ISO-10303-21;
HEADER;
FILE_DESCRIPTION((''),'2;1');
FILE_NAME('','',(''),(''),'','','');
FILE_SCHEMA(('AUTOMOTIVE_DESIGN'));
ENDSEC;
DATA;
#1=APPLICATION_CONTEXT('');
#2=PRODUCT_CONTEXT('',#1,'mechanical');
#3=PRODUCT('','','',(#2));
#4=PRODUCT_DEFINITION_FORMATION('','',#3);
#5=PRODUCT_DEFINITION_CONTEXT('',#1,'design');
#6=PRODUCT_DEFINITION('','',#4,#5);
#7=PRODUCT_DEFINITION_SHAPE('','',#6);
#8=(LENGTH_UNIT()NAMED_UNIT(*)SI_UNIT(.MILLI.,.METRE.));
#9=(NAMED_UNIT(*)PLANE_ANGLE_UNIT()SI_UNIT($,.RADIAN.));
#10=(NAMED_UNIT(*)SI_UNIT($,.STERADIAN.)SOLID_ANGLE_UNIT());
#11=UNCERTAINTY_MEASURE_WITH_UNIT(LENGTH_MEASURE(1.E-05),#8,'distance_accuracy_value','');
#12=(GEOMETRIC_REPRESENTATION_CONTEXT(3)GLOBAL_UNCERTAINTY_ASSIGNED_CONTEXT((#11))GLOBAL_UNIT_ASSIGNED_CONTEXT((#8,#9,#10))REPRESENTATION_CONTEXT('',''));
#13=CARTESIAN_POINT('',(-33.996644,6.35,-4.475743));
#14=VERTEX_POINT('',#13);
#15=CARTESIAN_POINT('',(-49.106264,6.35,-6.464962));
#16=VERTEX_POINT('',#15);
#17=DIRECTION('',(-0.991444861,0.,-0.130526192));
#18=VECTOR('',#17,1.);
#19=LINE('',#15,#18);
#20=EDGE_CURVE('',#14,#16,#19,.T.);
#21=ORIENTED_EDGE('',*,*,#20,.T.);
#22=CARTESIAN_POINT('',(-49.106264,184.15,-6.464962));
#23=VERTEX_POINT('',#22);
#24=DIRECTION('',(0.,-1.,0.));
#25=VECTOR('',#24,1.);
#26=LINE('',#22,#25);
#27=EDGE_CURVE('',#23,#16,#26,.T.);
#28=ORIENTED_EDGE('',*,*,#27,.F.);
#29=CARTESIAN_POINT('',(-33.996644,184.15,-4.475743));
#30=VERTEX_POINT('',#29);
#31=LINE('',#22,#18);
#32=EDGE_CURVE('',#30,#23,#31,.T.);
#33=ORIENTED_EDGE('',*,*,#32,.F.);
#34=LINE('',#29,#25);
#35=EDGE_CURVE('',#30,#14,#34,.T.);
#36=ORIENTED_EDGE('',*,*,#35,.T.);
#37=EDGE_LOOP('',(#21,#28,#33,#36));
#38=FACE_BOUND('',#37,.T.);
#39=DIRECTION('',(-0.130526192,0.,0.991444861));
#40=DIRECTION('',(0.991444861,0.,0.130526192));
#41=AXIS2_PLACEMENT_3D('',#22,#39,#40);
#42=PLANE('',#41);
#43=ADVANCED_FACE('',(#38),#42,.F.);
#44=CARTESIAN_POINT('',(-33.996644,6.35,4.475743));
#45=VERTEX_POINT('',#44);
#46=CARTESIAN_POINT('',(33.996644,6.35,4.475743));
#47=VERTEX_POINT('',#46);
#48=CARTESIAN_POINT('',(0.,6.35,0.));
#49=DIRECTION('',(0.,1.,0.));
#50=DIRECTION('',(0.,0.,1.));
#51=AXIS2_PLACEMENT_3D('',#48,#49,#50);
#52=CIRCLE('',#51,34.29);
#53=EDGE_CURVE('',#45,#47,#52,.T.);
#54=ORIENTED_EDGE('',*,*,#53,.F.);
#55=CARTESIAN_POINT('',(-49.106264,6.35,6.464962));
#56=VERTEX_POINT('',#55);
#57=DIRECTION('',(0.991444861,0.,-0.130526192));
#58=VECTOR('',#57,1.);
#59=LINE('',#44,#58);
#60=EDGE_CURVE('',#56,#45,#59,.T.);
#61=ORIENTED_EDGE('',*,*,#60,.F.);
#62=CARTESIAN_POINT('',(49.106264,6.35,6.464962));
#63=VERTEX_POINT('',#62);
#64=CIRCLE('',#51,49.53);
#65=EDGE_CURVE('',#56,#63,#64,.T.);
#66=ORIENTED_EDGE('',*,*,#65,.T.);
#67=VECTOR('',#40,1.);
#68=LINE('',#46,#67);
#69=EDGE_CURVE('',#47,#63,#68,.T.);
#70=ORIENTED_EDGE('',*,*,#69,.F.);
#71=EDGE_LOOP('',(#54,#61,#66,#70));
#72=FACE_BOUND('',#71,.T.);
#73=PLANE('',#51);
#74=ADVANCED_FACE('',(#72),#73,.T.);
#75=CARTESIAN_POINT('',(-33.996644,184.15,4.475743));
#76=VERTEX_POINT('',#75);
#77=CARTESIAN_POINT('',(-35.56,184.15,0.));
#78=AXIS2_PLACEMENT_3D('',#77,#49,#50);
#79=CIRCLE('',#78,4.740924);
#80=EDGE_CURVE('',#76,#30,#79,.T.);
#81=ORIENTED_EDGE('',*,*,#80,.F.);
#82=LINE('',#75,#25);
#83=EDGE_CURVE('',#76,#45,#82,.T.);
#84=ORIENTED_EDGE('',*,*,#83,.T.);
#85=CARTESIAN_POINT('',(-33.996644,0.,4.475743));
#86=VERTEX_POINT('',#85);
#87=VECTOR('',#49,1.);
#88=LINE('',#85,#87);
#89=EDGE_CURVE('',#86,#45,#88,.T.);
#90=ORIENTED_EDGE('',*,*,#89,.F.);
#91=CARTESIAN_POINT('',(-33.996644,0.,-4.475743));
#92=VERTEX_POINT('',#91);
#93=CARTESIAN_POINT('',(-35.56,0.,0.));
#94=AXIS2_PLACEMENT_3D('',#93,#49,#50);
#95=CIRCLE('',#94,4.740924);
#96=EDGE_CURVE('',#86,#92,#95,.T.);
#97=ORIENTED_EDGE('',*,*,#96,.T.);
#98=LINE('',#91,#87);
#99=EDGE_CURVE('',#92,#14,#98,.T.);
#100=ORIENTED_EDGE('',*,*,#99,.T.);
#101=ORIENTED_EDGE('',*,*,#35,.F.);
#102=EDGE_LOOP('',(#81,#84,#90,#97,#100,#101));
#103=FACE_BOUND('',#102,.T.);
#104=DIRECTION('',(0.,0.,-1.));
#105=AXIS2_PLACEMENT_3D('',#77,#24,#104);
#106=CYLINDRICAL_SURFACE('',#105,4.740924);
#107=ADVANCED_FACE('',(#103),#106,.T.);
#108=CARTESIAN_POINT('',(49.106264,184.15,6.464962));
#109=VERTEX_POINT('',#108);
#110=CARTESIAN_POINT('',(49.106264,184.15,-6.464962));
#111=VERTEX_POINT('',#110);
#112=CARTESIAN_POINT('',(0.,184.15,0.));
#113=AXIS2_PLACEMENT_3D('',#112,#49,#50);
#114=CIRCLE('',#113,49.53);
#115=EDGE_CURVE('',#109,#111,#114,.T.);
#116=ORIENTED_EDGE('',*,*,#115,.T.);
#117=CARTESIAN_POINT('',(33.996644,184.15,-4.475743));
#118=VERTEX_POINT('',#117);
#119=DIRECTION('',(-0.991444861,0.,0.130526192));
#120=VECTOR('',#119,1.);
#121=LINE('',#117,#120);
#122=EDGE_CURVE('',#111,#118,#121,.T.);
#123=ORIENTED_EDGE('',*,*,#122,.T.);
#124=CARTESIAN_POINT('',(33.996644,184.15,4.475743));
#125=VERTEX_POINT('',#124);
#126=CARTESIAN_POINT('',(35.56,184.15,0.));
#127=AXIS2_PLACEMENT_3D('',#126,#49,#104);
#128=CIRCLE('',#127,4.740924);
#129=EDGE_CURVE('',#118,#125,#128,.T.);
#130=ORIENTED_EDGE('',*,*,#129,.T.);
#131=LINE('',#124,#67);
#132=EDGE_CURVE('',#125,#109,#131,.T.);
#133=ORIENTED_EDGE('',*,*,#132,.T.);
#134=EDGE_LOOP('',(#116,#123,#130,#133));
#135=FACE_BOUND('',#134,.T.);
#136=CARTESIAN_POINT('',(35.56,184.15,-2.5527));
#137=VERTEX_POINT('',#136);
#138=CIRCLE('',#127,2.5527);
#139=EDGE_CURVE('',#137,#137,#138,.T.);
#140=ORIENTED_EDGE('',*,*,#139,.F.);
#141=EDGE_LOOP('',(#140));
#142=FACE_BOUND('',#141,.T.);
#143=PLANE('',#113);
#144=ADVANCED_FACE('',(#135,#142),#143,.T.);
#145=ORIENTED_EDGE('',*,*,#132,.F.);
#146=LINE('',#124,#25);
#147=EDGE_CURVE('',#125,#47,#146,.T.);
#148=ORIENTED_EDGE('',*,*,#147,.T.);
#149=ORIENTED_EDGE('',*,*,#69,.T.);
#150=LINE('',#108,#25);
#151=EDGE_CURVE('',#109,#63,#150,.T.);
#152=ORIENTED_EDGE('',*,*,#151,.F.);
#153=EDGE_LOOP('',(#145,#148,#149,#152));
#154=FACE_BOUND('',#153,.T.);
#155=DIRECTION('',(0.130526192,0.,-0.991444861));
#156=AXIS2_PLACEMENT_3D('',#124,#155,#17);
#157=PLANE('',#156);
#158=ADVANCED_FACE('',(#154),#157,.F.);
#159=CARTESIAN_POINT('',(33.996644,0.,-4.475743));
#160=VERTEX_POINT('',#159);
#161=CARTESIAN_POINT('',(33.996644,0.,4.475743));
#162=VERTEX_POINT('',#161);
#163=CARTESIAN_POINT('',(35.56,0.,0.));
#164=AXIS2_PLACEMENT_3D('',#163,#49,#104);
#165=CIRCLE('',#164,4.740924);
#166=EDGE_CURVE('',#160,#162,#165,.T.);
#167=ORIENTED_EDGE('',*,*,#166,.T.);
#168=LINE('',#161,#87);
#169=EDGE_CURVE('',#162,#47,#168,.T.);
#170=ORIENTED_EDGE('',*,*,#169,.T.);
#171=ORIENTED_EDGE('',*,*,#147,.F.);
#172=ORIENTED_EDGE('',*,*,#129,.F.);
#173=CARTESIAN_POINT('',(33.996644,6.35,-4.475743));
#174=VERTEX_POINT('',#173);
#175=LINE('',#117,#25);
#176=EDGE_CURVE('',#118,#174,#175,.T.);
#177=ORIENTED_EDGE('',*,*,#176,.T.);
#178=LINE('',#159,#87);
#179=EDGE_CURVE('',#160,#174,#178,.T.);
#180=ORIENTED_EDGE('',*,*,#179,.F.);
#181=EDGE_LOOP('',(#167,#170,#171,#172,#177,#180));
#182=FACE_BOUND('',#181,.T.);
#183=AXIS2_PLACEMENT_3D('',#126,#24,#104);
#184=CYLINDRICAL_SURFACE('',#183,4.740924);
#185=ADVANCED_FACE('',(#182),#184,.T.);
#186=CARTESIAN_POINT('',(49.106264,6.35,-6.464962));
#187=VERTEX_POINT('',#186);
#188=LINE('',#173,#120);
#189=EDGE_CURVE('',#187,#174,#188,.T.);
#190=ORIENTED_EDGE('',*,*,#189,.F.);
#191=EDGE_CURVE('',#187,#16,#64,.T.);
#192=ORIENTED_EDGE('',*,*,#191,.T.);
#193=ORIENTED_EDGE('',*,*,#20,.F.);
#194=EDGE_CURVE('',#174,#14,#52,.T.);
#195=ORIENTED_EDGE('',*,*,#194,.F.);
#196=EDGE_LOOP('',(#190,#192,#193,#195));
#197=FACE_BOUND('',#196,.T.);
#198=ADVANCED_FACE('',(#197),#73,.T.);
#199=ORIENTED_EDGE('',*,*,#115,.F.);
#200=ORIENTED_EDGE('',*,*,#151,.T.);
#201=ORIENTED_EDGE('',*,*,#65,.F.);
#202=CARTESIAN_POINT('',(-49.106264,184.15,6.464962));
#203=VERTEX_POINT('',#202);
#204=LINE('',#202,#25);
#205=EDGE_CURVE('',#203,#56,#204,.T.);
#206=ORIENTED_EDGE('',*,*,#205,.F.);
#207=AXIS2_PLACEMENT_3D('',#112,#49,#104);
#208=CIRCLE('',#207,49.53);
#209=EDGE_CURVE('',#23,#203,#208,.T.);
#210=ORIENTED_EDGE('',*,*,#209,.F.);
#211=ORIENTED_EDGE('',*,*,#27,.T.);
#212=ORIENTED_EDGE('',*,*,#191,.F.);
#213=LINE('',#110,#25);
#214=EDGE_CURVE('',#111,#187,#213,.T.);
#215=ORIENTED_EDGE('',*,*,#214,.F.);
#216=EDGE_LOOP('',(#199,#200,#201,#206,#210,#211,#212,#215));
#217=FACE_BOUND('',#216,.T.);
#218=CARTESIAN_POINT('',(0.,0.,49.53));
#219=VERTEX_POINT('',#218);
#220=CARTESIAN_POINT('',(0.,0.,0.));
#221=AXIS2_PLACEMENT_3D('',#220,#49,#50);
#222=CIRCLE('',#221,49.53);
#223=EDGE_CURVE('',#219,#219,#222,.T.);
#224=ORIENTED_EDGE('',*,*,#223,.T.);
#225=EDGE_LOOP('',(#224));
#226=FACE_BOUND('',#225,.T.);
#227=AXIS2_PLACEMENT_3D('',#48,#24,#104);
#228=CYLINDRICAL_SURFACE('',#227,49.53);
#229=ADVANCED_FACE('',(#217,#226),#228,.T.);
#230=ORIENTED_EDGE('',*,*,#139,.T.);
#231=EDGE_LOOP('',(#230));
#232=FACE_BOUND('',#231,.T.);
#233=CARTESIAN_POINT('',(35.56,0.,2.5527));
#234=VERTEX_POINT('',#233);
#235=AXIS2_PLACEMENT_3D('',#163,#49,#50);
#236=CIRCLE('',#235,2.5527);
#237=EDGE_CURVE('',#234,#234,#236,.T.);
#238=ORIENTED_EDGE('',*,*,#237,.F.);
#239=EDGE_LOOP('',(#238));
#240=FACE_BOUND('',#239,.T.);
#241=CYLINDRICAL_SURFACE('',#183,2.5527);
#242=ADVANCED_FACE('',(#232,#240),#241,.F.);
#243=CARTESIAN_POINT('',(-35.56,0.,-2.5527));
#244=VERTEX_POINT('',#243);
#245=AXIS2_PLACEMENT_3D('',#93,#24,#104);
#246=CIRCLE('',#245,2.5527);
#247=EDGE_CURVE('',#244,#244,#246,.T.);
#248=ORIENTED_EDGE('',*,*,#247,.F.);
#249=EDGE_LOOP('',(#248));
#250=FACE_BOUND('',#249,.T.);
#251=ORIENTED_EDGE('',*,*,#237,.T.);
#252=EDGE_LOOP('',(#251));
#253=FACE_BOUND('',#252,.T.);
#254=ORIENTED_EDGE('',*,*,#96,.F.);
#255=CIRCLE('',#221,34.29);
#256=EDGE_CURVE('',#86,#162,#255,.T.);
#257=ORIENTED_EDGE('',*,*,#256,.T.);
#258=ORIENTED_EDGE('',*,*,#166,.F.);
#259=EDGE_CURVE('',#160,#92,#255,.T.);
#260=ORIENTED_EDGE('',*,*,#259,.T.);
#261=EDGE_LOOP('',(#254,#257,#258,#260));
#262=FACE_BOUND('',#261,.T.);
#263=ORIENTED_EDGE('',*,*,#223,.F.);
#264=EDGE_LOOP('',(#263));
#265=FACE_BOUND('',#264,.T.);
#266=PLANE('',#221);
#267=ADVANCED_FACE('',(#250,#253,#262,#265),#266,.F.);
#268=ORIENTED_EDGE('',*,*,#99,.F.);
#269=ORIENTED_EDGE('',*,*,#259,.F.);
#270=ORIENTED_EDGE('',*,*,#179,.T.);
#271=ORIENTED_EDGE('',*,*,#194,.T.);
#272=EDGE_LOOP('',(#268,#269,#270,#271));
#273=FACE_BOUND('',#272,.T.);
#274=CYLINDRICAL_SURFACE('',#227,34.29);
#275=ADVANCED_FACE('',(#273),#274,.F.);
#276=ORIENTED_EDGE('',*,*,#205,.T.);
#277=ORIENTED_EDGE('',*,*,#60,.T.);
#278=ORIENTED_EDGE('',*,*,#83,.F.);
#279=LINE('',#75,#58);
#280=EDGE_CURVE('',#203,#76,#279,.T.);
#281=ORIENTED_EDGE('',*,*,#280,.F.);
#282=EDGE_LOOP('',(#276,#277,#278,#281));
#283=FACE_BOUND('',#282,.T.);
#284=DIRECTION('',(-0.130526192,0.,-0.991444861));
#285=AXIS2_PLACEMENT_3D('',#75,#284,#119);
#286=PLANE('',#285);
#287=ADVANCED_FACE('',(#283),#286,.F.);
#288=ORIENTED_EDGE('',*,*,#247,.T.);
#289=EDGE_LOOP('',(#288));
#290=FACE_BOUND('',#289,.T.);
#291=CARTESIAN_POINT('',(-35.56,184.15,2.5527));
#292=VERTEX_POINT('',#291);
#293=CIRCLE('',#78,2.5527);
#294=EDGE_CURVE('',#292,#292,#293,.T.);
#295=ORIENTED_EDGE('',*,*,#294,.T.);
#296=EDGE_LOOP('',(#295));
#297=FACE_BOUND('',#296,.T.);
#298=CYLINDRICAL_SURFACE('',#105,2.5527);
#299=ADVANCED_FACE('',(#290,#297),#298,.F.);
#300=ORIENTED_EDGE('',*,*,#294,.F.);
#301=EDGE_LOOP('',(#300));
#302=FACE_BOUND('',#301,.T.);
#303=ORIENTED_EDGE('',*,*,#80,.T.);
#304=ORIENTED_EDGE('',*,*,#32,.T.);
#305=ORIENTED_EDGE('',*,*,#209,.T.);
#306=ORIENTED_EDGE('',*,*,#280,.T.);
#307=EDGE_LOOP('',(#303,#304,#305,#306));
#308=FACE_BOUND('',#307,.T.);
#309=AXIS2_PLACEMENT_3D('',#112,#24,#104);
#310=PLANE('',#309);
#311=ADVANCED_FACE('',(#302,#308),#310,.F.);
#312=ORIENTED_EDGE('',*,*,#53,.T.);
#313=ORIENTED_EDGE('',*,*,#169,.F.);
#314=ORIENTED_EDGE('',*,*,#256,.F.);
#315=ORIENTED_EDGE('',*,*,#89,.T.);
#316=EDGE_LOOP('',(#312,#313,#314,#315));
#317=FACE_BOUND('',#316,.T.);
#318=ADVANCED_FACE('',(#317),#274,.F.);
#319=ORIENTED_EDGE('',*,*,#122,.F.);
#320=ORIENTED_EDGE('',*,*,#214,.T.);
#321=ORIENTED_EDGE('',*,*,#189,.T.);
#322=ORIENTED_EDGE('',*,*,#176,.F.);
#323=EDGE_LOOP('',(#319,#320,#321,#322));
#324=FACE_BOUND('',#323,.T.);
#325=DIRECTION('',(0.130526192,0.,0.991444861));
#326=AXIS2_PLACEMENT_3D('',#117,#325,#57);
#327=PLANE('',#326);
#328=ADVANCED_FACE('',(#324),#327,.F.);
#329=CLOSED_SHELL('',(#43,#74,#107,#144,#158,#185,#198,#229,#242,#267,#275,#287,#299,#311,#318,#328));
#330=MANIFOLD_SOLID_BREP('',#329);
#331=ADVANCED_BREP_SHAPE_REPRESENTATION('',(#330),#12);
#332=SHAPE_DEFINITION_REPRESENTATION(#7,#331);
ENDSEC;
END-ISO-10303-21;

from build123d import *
from build123d.topology import SkipClean

# Parameters (mm, degrees)
SKETCH1_R           = 49.53
SKETCH1_R_2         = 34.29
BOSS_EXTRUDE1_DEPTH = 6.35
SKETCH2_R           = 2.5527
BOSS_EXTRUDE2_DEPTH = 177.8
SKETCH5_R           = 2.5527
CUT_EXTRUDE1_DEPTH  = 6.35
BOSS_EXTRUDE3_START = -6.35
SKETCH2_3_R         = 2.5527
BOSS_EXTRUDE3_DEPTH = 6.35


with BuildPart() as part:
    # Sketch1 → Boss-Extrude1 (new body)
    with BuildSketch(Plane(origin=(0, 0, 0), x_dir=(1, 0, 0), z_dir=(0, 1, 0))):
        Circle(SKETCH1_R)
        Circle(SKETCH1_R_2, mode=Mode.SUBTRACT)
    extrude(amount=BOSS_EXTRUDE1_DEPTH)

    # Sketch2 → Boss-Extrude2 (add)
    # profile 1 of 2: a face of its own
    with SkipClean():  # the faces are left unmerged after this step: merging them gives an invalid solid
        with BuildSketch(Plane(origin=(0, 6.35, 0), x_dir=(1, 0, 0), z_dir=(0, 1, 0))):
            with BuildLine():
                Line((-49.106264, 6.464962), (-33.996644, 4.475743))
                ThreePointArc((-33.996644, 4.475743), (-30.819076, 0), (-33.996644, -4.475743))
                Line((-33.996644, -4.475743), (-49.106264, -6.464962))
                ThreePointArc((-49.106264, -6.464962), (-49.53, 0), (-49.106264, 6.464962))
            make_face()
            with Locations((-35.56, 0)):
                Circle(SKETCH2_R, mode=Mode.SUBTRACT)
        # profile 2 of 2: a face of its own
        with BuildSketch(Plane(origin=(0, 6.35, 0), x_dir=(1, 0, 0), z_dir=(0, 1, 0))):
            with BuildLine():
                Line((33.996644, 4.475743), (49.106264, 6.464962))
                ThreePointArc((49.106264, 6.464962), (49.53, 0), (49.106264, -6.464962))
                Line((49.106264, -6.464962), (33.996644, -4.475743))
                ThreePointArc((33.996644, -4.475743), (30.819076, 0), (33.996644, 4.475743))
            make_face()
            with Locations((35.56, 0)):
                Circle(SKETCH2_R, mode=Mode.SUBTRACT)
        extrude(amount=BOSS_EXTRUDE2_DEPTH)

    # Sketch5 → Cut-Extrude1 (cut)
    with SkipClean():  # the faces are left unmerged after this step: merging them gives an invalid solid
        with BuildSketch(Plane.XZ):
            with Locations((-35.56, 0)):
                Circle(SKETCH5_R)
            with Locations((35.56, 0)):
                Circle(SKETCH5_R)
        extrude(amount=-CUT_EXTRUDE1_DEPTH, mode=Mode.SUBTRACT)

    # Sketch2<3> → Boss-Extrude3 (add)
    # profile 1 of 2: a face of its own
    with BuildSketch(Plane(origin=(0, 6.35, 0), x_dir=(1, 0, 0), z_dir=(0, 1, 0)).offset(BOSS_EXTRUDE3_START)):
        with BuildLine():
            Line((-49.106264, 6.464962), (-33.996644, 4.475743))
            ThreePointArc((-33.996644, 4.475743), (-30.819076, 0), (-33.996644, -4.475743))
            Line((-33.996644, -4.475743), (-49.106264, -6.464962))
            ThreePointArc((-49.106264, -6.464962), (-49.53, 0), (-49.106264, 6.464962))
        make_face()
        with Locations((-35.56, 0)):
            Circle(SKETCH2_3_R, mode=Mode.SUBTRACT)
    # profile 2 of 2: a face of its own
    with BuildSketch(Plane(origin=(0, 6.35, 0), x_dir=(1, 0, 0), z_dir=(0, 1, 0)).offset(BOSS_EXTRUDE3_START)):
        with BuildLine():
            Line((33.996644, 4.475743), (49.106264, 6.464962))
            ThreePointArc((49.106264, 6.464962), (49.53, 0), (49.106264, -6.464962))
            Line((49.106264, -6.464962), (33.996644, -4.475743))
            ThreePointArc((33.996644, -4.475743), (30.819076, 0), (33.996644, 4.475743))
        make_face()
        with Locations((35.56, 0)):
            Circle(SKETCH2_3_R, mode=Mode.SUBTRACT)
    extrude(amount=BOSS_EXTRUDE3_DEPTH)


solid = part.part
